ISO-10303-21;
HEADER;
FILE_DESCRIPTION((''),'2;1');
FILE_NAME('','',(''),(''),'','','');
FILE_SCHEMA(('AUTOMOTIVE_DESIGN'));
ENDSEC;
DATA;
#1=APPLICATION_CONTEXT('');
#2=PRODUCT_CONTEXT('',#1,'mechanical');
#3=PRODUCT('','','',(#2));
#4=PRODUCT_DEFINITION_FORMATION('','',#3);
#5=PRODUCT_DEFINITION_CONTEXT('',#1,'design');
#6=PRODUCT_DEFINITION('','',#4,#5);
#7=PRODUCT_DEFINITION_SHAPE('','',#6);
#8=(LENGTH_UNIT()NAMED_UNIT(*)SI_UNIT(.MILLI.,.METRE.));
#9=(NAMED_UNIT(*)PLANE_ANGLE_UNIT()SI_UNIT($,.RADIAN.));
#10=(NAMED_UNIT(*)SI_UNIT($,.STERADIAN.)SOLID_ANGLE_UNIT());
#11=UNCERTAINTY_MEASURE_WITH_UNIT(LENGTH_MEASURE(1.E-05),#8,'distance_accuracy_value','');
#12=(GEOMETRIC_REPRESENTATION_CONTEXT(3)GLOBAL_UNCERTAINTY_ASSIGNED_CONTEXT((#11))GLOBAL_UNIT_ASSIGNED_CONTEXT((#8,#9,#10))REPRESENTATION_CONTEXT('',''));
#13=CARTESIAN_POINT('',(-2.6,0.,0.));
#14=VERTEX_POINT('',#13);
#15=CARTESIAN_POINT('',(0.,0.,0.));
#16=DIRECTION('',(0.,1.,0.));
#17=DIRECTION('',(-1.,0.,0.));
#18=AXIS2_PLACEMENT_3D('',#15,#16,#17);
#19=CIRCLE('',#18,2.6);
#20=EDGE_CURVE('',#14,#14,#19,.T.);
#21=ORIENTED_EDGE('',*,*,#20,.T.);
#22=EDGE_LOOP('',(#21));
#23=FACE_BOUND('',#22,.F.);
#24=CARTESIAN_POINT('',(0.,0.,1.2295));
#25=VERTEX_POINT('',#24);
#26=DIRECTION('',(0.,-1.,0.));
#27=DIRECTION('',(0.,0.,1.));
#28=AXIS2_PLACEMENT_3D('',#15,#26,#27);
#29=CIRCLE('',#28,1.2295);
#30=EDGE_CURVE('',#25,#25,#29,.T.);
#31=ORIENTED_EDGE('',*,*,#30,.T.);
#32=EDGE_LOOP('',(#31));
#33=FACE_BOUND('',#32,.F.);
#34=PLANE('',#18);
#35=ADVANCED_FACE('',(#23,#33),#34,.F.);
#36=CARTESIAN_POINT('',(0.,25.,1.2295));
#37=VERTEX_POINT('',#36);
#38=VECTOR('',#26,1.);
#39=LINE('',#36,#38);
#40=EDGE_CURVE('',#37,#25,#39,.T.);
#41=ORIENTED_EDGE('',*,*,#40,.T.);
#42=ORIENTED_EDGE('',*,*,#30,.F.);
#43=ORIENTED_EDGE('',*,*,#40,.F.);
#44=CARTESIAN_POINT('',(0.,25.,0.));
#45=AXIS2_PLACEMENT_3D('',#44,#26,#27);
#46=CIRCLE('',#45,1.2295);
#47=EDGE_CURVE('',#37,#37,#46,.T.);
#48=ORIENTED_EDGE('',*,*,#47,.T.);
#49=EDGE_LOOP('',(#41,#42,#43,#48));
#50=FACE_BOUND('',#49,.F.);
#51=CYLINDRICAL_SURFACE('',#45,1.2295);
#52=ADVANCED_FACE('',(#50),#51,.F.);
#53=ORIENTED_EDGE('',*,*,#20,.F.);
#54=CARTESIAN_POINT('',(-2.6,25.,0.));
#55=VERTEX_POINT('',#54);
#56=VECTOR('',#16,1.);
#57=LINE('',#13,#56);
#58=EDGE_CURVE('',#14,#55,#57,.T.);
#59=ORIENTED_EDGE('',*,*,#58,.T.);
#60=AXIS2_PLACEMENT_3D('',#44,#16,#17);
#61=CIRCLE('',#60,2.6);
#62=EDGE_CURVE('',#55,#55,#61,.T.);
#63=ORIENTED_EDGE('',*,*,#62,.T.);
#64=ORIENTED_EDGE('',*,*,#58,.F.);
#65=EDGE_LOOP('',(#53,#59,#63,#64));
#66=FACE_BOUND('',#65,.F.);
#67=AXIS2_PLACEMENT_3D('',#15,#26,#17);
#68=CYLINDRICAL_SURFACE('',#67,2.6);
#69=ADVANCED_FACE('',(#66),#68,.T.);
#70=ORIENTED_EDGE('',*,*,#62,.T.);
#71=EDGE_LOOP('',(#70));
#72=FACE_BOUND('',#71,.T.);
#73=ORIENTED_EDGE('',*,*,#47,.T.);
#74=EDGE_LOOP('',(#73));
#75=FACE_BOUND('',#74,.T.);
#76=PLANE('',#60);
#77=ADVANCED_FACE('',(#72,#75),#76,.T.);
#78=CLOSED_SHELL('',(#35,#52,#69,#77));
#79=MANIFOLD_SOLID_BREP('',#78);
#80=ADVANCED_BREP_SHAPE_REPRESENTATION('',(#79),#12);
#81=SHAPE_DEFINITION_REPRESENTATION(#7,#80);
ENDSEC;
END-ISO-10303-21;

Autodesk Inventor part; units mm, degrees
ref_plane "YZ Plane" through (0, 0, 0) normal (1, 0, 0) x (0, 1, 0)
ref_plane "XZ Plane" through (0, 0, 0) normal (0, 1, 0) x (-1, 0, 0)
ref_plane "XY Plane" through (0, 0, 0) normal (0, 0, 1) x (1, 0, 0)
sketch "Sketch1" plane through (0, 0, 0) normal (0, 1, 0) x (-1, 0, 0)
  circle A0 centre (0, 0) radius 2.6
  dimension "d0" = 5.2
extrude "Extrusion1" add sketch "Sketch1" along normal blind 25
sketch "Sketch2" plane through (0, 25, 0) normal (0, 1, 0) x (1, 0, 0)
  point P0 (0, 0)
  point P1 (0, 0)
hole "Hole1" at (0, 25, 0) direction (0, -1, 0) diameter 2.459 end through all thread size "M3x0.5" class "6H" standard "ISO Metric profile"
properties part number "screw_pipe"
